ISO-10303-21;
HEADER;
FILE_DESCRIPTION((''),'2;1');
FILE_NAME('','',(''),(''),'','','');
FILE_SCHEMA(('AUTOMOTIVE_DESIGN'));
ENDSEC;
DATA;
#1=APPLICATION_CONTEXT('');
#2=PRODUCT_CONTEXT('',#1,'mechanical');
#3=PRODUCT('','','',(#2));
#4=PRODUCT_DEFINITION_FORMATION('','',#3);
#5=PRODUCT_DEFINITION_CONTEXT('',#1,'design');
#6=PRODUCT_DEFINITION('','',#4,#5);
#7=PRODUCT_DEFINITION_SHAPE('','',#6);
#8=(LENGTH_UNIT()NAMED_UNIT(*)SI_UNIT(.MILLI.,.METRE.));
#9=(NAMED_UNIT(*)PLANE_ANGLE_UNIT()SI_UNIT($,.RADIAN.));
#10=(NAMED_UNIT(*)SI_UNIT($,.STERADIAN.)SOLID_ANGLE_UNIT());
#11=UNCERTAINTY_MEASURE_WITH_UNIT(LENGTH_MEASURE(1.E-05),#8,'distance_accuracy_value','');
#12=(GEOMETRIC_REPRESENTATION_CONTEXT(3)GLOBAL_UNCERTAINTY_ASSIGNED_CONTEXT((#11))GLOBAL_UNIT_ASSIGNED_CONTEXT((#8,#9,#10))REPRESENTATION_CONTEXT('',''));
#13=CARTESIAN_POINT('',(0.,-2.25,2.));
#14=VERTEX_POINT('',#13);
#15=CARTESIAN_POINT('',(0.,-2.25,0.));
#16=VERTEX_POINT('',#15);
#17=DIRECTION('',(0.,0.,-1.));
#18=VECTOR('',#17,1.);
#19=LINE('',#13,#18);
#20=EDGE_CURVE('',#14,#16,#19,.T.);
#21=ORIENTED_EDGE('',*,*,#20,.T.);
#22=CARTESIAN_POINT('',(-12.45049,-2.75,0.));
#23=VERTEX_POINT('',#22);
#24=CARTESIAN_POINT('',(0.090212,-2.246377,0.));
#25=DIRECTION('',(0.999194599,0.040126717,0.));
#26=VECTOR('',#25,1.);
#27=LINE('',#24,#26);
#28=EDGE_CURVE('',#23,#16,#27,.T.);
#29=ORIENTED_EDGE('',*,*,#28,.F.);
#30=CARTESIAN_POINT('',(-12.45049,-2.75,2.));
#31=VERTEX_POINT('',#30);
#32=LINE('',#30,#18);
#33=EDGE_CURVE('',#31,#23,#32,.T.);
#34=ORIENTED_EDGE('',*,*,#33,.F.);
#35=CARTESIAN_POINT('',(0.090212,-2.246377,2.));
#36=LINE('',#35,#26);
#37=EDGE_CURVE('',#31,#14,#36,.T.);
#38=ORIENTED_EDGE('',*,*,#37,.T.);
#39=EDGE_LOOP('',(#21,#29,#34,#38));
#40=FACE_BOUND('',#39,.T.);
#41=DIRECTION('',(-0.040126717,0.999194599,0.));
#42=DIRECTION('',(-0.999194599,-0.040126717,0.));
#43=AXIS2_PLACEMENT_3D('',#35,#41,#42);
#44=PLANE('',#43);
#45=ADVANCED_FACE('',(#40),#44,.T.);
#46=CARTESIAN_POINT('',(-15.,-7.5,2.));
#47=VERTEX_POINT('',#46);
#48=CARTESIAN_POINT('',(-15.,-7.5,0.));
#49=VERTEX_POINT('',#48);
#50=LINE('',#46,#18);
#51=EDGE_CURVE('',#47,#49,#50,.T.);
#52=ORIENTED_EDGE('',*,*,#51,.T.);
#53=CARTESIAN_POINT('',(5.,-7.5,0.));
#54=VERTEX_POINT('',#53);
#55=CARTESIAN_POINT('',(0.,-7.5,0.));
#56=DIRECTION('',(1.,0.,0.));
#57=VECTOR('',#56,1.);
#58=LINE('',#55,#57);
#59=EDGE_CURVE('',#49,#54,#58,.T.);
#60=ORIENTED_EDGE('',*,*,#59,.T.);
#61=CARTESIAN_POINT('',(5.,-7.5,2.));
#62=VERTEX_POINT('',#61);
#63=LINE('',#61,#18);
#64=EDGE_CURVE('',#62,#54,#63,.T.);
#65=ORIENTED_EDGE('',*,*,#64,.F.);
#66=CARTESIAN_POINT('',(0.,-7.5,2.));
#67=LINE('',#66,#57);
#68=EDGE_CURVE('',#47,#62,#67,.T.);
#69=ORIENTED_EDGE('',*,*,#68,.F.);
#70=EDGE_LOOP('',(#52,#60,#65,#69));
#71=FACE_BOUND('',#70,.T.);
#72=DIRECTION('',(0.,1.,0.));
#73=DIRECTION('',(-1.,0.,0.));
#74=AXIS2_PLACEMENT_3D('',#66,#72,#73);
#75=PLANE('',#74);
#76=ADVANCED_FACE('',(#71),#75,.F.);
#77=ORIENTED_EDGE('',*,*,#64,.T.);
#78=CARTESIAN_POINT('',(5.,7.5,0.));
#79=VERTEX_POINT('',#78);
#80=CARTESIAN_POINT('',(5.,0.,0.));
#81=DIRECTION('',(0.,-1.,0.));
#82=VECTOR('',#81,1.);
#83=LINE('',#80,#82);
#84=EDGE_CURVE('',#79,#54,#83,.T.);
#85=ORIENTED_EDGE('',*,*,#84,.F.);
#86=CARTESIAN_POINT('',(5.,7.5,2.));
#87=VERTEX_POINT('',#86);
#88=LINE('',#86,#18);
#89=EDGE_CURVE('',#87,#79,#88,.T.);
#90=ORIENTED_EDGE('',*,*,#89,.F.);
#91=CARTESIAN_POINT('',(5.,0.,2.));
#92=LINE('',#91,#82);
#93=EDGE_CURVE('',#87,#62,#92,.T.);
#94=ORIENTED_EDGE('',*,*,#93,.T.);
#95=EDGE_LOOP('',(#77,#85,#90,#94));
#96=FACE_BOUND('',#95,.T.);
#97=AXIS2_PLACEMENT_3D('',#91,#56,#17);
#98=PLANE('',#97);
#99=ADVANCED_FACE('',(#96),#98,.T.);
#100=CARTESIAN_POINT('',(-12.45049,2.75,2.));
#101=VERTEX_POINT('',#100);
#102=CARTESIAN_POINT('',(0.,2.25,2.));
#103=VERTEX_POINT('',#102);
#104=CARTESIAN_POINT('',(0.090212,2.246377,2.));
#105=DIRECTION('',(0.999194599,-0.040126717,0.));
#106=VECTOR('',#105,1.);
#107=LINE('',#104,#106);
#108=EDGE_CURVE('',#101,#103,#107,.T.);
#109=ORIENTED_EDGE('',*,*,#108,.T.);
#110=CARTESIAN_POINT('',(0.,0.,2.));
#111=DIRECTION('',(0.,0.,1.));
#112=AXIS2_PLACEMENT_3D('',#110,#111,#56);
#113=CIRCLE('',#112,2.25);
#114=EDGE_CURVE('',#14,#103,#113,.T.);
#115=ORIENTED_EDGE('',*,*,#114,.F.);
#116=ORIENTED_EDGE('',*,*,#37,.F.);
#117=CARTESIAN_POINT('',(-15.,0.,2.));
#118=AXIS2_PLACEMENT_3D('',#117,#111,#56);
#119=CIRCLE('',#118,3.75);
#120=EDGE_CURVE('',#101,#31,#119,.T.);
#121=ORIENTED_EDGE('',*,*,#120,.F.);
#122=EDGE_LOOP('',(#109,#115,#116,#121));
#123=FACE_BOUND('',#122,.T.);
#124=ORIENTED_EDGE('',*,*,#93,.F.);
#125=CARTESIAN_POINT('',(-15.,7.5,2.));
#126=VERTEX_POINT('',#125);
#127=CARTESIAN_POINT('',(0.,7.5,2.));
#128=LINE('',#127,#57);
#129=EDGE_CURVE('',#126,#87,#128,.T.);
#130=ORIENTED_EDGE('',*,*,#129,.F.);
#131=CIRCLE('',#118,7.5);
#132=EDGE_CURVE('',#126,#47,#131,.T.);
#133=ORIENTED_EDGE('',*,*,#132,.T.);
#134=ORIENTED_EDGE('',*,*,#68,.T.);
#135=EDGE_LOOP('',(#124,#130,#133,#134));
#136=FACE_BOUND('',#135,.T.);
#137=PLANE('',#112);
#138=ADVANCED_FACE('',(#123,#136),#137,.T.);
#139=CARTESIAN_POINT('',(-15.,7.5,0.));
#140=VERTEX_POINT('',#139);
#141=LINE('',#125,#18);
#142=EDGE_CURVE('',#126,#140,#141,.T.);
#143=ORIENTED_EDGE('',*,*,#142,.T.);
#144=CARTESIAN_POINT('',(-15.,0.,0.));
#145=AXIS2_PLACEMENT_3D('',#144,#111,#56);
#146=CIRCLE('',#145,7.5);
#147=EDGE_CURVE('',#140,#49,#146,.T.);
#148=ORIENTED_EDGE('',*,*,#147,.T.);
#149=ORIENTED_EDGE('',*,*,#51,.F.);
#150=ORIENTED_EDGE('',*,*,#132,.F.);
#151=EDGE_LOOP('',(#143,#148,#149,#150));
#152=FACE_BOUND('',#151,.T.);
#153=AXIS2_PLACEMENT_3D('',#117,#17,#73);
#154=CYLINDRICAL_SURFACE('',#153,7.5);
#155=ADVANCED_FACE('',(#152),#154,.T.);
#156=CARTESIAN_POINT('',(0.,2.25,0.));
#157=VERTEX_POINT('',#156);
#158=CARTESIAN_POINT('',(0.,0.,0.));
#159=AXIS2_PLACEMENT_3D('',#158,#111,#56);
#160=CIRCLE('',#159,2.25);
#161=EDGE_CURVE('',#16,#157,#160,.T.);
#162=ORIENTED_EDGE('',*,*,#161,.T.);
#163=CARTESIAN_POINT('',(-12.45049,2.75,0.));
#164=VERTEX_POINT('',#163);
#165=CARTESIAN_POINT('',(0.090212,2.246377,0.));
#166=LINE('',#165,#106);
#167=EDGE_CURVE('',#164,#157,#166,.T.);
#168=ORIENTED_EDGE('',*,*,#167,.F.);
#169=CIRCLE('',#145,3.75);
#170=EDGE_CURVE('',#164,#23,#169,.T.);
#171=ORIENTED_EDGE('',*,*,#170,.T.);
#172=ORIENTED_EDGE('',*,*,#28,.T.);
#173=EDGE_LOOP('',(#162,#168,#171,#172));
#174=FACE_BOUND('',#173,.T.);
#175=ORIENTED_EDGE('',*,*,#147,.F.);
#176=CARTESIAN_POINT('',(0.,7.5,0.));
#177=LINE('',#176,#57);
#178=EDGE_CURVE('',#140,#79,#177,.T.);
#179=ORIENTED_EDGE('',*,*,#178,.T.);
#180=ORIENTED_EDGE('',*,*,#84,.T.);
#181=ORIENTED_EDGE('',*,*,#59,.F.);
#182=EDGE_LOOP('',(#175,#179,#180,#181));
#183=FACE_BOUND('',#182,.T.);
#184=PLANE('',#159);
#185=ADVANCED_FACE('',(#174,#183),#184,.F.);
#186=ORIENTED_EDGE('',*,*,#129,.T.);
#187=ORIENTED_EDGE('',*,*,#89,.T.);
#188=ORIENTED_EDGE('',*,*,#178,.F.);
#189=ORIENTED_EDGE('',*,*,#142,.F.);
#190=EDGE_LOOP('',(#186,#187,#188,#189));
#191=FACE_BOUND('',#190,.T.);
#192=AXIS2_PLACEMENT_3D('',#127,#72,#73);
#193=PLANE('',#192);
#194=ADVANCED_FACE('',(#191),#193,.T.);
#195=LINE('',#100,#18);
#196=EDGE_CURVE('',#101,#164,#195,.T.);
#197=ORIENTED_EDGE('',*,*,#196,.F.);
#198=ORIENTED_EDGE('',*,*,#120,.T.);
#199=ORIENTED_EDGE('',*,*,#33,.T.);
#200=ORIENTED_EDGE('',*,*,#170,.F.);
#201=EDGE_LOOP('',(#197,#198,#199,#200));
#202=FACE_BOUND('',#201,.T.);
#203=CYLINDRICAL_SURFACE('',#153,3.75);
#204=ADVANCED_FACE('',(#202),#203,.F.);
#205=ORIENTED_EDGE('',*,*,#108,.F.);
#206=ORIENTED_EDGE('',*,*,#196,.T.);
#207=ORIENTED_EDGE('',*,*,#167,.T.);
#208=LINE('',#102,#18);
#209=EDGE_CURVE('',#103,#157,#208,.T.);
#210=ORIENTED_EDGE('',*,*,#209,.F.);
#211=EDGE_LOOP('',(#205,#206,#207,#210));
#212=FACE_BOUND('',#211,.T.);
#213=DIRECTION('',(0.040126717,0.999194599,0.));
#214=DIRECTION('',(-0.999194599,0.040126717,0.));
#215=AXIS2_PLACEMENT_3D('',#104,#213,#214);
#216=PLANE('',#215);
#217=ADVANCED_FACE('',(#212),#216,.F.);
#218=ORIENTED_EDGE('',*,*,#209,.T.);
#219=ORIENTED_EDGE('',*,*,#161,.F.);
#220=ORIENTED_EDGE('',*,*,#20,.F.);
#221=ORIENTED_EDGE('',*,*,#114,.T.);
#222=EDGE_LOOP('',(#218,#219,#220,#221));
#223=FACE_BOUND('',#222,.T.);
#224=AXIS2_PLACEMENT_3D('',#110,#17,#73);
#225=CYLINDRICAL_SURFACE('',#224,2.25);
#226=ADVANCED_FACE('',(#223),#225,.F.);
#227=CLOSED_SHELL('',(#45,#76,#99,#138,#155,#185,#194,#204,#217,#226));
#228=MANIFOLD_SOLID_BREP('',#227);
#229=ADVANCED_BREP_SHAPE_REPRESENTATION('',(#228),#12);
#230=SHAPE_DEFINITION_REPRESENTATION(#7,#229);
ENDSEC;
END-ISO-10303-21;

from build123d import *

# Parameters (mm, degrees)
BOSS_EXTRUDE1_DEPTH = 2


with BuildPart() as part:
    # Sketch1 → Boss-Extrude1 (new body)
    with BuildSketch(Plane.XY):
        with BuildLine():
            Line((5, 7.5), (-15, 7.5))
            ThreePointArc((-15, 7.5), (-22.5, 0), (-15, -7.5))
            Line((-15, -7.5), (5, -7.5))
            Line((5, -7.5), (5, 7.5))
        make_face()
        with BuildLine():
            ThreePointArc((-12.450490243, -2.75), (-18.75, 0), (-12.450490243, 2.75))
            Line((-12.450490243, 2.75), (0, 2.25))
            ThreePointArc((0, 2.25), (1.590990258, 1.590990258), (2.25, 0))
            ThreePointArc((2.25, 0), (1.590990258, -1.590990258), (0, -2.25))
            Line((0, -2.25), (-12.450490243, -2.75))
        make_face(mode=Mode.SUBTRACT)
    extrude(amount=BOSS_EXTRUDE1_DEPTH)


solid = part.part
